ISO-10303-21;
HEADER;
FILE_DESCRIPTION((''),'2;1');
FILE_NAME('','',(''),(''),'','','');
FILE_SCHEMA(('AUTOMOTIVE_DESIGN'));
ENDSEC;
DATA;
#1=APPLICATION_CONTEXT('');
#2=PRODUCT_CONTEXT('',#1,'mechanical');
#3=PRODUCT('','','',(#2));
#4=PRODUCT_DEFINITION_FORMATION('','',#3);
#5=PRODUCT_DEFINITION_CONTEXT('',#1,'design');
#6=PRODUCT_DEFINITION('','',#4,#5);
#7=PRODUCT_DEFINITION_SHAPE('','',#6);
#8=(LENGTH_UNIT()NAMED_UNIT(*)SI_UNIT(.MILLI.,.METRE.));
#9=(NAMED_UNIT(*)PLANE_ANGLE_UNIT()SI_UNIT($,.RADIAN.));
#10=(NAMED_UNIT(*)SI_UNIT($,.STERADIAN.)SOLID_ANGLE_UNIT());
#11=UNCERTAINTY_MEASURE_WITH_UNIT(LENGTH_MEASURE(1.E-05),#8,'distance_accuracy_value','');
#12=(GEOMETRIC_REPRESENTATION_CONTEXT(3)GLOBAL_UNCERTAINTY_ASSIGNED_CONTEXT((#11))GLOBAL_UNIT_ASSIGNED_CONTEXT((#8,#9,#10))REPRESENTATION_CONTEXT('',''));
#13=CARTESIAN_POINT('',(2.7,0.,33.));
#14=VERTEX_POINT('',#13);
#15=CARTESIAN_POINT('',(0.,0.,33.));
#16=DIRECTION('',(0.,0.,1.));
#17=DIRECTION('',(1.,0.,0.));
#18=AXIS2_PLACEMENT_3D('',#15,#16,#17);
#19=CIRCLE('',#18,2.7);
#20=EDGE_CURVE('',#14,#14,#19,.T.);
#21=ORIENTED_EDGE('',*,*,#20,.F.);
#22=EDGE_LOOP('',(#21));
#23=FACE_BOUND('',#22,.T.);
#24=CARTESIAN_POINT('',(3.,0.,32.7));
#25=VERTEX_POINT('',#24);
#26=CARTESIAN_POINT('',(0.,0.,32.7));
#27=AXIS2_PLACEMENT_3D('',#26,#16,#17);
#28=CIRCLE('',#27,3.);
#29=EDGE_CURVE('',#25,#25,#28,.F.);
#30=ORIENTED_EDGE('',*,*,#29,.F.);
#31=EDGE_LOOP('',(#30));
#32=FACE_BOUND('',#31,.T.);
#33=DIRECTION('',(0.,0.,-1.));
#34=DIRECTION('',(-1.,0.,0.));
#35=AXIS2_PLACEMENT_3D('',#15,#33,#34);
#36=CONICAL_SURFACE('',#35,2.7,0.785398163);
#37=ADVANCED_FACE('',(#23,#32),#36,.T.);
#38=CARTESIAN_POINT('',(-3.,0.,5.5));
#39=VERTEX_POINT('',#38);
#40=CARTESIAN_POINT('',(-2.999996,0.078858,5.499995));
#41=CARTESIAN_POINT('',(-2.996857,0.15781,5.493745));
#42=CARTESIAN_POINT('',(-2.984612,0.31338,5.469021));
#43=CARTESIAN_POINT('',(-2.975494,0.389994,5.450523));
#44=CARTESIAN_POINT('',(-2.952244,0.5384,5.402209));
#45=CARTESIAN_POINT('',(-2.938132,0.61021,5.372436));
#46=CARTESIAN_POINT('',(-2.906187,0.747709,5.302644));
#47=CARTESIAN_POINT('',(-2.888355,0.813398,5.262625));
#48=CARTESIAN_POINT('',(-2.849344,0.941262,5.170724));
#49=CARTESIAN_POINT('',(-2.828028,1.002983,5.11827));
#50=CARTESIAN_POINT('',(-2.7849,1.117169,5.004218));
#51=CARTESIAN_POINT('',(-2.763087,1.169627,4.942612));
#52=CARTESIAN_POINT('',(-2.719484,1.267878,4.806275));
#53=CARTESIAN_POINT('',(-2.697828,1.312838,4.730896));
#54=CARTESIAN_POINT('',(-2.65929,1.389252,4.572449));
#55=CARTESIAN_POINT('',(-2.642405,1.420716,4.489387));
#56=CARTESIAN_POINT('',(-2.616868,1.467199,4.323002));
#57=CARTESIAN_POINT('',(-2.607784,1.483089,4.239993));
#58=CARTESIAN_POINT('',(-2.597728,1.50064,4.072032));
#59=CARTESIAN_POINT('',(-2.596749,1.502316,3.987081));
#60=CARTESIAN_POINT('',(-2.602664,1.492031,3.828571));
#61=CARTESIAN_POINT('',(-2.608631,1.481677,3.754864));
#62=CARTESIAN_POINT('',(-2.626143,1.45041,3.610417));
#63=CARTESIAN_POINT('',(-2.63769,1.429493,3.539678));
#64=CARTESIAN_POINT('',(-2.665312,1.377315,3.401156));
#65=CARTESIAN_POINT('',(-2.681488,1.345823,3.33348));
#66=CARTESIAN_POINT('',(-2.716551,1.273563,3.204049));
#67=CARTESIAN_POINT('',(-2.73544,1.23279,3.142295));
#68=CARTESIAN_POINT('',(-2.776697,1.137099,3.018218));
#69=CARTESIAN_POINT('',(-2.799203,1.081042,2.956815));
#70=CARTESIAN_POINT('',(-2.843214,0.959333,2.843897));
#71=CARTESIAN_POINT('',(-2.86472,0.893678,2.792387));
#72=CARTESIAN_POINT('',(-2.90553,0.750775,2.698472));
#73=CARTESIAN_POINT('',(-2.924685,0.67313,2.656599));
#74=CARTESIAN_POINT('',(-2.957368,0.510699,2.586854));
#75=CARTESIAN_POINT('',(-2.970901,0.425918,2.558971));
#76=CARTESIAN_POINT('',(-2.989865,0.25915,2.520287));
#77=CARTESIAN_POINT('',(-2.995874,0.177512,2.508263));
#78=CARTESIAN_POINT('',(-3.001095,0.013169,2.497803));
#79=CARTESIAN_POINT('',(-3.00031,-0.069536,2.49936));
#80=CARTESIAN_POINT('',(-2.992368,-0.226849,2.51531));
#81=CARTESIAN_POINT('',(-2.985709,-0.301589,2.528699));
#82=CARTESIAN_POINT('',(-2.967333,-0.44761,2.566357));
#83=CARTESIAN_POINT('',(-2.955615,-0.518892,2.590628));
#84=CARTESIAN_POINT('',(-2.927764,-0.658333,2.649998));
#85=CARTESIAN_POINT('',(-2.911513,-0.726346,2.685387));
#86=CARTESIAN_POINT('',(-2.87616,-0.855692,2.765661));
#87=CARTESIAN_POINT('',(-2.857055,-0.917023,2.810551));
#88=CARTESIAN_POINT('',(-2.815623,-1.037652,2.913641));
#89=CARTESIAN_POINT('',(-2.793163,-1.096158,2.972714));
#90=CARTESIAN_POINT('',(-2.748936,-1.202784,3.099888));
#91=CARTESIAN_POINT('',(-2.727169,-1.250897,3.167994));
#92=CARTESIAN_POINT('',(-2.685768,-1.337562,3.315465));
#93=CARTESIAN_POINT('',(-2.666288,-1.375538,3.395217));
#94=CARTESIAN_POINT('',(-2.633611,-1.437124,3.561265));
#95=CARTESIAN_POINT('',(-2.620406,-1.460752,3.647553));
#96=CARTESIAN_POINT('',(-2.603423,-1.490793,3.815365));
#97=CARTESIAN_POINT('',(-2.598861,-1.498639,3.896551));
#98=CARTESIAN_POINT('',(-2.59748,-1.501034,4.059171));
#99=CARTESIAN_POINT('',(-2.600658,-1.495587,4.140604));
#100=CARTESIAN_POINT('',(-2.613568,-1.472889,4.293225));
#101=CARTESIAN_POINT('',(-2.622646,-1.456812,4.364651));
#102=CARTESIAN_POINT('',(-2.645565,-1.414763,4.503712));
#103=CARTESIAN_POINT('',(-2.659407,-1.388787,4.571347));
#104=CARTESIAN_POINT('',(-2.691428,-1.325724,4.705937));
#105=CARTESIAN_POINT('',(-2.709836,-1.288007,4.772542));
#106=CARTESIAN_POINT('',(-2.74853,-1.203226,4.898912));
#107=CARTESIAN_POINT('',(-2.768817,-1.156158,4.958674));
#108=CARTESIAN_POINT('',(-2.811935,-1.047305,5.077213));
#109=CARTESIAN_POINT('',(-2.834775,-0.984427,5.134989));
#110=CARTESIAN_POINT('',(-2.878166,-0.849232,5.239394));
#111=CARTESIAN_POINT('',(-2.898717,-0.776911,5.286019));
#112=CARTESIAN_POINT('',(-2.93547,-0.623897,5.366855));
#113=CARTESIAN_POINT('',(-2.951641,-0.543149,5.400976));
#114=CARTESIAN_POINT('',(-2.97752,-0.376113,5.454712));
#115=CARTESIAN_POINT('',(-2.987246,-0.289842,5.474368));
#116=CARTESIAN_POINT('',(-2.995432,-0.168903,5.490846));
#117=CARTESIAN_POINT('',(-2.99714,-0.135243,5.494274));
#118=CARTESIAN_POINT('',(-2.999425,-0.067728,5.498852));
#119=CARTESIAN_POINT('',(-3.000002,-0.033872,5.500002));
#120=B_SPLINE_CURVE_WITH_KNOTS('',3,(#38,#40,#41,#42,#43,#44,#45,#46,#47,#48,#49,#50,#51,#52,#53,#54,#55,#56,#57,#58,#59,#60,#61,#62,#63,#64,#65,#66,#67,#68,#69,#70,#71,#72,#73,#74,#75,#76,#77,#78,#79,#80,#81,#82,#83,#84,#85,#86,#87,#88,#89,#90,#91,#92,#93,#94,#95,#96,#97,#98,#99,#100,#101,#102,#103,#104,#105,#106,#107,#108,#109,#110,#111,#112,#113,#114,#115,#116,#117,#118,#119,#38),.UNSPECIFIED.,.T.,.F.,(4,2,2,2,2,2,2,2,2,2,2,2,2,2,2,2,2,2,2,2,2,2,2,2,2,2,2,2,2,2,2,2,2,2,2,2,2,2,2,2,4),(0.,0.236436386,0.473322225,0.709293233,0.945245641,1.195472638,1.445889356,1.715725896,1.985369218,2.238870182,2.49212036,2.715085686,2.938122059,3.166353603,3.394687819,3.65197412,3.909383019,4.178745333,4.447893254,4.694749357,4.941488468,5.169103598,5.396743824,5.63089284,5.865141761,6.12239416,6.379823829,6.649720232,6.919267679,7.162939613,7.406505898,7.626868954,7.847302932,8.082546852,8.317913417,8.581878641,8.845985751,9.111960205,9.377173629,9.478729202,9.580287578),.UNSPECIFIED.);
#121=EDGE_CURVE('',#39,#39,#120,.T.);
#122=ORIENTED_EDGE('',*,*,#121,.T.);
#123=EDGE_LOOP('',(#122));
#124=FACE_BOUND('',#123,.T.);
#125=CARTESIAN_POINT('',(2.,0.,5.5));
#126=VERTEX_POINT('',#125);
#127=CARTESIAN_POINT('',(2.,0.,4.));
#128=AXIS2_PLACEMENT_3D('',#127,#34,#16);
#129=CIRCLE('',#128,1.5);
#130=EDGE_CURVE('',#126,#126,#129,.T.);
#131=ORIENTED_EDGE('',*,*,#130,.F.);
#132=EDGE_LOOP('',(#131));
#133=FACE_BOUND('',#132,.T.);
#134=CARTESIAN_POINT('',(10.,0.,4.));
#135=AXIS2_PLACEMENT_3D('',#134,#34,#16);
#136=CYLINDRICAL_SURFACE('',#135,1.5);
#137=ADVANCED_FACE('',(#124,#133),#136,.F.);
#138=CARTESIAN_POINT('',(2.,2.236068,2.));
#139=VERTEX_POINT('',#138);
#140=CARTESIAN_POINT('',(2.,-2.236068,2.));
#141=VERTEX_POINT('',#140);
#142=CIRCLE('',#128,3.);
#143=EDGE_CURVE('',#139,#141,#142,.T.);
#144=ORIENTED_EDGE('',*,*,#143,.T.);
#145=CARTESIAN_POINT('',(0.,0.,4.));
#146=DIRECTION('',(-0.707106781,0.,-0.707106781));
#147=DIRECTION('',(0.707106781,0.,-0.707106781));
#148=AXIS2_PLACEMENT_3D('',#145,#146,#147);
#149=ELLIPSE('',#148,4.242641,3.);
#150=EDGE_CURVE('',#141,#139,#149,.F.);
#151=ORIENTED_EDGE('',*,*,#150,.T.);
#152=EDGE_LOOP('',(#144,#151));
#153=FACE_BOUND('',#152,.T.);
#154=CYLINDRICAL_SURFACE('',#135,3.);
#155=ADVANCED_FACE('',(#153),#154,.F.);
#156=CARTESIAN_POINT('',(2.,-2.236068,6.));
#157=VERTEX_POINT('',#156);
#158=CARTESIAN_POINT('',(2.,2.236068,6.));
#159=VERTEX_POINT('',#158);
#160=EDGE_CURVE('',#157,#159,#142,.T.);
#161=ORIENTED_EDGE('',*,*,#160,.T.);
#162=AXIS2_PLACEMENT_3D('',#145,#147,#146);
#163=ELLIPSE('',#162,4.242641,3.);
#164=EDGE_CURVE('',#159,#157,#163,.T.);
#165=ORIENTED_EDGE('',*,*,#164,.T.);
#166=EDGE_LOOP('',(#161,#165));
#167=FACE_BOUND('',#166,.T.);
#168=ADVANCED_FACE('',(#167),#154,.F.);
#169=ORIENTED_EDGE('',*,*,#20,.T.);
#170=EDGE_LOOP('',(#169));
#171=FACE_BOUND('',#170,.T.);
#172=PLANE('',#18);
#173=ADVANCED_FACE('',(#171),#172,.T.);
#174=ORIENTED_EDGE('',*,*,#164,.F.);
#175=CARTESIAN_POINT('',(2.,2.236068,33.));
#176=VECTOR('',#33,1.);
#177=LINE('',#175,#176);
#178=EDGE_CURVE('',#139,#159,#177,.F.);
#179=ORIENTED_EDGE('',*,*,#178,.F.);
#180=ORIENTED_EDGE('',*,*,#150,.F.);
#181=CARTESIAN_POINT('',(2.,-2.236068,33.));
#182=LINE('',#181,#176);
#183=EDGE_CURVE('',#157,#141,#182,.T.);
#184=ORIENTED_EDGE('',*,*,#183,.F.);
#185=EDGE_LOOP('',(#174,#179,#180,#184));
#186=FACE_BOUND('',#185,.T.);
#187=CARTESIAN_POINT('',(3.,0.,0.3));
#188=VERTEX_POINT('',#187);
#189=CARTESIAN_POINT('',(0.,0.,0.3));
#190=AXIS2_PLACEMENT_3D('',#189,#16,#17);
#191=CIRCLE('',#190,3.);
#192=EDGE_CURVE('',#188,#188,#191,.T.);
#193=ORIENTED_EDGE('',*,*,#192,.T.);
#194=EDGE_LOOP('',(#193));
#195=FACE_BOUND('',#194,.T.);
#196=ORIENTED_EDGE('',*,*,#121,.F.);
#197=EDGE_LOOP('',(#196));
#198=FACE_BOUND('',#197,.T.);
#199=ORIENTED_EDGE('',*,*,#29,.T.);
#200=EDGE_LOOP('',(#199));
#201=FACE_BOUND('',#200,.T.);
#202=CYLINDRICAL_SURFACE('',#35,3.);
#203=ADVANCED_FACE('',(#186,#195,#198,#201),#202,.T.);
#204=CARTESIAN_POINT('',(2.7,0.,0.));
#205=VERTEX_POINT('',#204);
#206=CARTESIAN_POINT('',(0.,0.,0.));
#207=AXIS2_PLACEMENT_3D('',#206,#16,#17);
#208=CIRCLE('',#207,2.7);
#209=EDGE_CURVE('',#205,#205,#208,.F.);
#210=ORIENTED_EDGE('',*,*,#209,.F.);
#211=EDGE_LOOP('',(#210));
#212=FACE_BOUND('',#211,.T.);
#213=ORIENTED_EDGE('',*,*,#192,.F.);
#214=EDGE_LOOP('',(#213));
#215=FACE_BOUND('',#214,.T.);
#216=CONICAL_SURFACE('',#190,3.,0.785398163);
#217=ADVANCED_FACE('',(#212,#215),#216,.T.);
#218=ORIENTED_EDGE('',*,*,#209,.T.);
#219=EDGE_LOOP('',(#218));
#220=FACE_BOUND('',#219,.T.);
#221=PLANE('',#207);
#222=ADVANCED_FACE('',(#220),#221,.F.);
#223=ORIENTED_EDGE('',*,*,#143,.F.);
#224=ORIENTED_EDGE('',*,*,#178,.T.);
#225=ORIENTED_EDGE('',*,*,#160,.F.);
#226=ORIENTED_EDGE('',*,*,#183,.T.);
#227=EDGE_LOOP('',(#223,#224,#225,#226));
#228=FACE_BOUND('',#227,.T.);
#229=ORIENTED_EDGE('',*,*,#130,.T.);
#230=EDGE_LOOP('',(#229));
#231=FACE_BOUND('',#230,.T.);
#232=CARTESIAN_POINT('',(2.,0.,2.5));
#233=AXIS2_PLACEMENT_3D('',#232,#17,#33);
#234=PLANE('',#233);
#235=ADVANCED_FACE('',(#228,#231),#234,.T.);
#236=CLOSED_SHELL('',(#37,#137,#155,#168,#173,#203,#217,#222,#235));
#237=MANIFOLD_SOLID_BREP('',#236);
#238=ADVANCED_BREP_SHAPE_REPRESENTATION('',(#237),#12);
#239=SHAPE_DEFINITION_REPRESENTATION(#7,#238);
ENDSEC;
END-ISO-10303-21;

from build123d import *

# Parameters (mm, degrees)
ESQUISSE1_R        = 3
BOSS_EXTRU_1_DEPTH = 33
CHANFREIN1_SIZE    = 0.3


with BuildPart() as part:
    # Esquisse1 → Boss.-Extru.1 (new body)
    with BuildSketch(Plane.XY):
        Circle(ESQUISSE1_R)
    extrude(amount=BOSS_EXTRU_1_DEPTH)

    # Esquisse2 → Enlèvement de matière-Révolution1 (revolve, cut)
    with BuildSketch(Plane(origin=(0, 0, 0), x_dir=(1, 0, 0), z_dir=(0, 1, 0)), mode=Mode.PRIVATE) as enl_vement_de_mati_re_r_volution1_sk:
        Polygon((-10, -2.5), (2, -2.5), (2, -1), (10, -1), (10, -4), (-10, -4), align=None)
    revolve(enl_vement_de_mati_re_r_volution1_sk.sketch.rotate(Axis((10, 0, 4), (1, 0, 0)), 180), axis=Axis((10, 0, 4), (1, 0, 0)), mode=Mode.SUBTRACT)

    # Chanfrein1
    chanfrein1_edges = [part.edges().sort_by_distance(p)[0] for p in [
        (-3, 0, 0),
        (-3, 0, 33),
    ]]
    chamfer(chanfrein1_edges, length=CHANFREIN1_SIZE)


solid = part.part
